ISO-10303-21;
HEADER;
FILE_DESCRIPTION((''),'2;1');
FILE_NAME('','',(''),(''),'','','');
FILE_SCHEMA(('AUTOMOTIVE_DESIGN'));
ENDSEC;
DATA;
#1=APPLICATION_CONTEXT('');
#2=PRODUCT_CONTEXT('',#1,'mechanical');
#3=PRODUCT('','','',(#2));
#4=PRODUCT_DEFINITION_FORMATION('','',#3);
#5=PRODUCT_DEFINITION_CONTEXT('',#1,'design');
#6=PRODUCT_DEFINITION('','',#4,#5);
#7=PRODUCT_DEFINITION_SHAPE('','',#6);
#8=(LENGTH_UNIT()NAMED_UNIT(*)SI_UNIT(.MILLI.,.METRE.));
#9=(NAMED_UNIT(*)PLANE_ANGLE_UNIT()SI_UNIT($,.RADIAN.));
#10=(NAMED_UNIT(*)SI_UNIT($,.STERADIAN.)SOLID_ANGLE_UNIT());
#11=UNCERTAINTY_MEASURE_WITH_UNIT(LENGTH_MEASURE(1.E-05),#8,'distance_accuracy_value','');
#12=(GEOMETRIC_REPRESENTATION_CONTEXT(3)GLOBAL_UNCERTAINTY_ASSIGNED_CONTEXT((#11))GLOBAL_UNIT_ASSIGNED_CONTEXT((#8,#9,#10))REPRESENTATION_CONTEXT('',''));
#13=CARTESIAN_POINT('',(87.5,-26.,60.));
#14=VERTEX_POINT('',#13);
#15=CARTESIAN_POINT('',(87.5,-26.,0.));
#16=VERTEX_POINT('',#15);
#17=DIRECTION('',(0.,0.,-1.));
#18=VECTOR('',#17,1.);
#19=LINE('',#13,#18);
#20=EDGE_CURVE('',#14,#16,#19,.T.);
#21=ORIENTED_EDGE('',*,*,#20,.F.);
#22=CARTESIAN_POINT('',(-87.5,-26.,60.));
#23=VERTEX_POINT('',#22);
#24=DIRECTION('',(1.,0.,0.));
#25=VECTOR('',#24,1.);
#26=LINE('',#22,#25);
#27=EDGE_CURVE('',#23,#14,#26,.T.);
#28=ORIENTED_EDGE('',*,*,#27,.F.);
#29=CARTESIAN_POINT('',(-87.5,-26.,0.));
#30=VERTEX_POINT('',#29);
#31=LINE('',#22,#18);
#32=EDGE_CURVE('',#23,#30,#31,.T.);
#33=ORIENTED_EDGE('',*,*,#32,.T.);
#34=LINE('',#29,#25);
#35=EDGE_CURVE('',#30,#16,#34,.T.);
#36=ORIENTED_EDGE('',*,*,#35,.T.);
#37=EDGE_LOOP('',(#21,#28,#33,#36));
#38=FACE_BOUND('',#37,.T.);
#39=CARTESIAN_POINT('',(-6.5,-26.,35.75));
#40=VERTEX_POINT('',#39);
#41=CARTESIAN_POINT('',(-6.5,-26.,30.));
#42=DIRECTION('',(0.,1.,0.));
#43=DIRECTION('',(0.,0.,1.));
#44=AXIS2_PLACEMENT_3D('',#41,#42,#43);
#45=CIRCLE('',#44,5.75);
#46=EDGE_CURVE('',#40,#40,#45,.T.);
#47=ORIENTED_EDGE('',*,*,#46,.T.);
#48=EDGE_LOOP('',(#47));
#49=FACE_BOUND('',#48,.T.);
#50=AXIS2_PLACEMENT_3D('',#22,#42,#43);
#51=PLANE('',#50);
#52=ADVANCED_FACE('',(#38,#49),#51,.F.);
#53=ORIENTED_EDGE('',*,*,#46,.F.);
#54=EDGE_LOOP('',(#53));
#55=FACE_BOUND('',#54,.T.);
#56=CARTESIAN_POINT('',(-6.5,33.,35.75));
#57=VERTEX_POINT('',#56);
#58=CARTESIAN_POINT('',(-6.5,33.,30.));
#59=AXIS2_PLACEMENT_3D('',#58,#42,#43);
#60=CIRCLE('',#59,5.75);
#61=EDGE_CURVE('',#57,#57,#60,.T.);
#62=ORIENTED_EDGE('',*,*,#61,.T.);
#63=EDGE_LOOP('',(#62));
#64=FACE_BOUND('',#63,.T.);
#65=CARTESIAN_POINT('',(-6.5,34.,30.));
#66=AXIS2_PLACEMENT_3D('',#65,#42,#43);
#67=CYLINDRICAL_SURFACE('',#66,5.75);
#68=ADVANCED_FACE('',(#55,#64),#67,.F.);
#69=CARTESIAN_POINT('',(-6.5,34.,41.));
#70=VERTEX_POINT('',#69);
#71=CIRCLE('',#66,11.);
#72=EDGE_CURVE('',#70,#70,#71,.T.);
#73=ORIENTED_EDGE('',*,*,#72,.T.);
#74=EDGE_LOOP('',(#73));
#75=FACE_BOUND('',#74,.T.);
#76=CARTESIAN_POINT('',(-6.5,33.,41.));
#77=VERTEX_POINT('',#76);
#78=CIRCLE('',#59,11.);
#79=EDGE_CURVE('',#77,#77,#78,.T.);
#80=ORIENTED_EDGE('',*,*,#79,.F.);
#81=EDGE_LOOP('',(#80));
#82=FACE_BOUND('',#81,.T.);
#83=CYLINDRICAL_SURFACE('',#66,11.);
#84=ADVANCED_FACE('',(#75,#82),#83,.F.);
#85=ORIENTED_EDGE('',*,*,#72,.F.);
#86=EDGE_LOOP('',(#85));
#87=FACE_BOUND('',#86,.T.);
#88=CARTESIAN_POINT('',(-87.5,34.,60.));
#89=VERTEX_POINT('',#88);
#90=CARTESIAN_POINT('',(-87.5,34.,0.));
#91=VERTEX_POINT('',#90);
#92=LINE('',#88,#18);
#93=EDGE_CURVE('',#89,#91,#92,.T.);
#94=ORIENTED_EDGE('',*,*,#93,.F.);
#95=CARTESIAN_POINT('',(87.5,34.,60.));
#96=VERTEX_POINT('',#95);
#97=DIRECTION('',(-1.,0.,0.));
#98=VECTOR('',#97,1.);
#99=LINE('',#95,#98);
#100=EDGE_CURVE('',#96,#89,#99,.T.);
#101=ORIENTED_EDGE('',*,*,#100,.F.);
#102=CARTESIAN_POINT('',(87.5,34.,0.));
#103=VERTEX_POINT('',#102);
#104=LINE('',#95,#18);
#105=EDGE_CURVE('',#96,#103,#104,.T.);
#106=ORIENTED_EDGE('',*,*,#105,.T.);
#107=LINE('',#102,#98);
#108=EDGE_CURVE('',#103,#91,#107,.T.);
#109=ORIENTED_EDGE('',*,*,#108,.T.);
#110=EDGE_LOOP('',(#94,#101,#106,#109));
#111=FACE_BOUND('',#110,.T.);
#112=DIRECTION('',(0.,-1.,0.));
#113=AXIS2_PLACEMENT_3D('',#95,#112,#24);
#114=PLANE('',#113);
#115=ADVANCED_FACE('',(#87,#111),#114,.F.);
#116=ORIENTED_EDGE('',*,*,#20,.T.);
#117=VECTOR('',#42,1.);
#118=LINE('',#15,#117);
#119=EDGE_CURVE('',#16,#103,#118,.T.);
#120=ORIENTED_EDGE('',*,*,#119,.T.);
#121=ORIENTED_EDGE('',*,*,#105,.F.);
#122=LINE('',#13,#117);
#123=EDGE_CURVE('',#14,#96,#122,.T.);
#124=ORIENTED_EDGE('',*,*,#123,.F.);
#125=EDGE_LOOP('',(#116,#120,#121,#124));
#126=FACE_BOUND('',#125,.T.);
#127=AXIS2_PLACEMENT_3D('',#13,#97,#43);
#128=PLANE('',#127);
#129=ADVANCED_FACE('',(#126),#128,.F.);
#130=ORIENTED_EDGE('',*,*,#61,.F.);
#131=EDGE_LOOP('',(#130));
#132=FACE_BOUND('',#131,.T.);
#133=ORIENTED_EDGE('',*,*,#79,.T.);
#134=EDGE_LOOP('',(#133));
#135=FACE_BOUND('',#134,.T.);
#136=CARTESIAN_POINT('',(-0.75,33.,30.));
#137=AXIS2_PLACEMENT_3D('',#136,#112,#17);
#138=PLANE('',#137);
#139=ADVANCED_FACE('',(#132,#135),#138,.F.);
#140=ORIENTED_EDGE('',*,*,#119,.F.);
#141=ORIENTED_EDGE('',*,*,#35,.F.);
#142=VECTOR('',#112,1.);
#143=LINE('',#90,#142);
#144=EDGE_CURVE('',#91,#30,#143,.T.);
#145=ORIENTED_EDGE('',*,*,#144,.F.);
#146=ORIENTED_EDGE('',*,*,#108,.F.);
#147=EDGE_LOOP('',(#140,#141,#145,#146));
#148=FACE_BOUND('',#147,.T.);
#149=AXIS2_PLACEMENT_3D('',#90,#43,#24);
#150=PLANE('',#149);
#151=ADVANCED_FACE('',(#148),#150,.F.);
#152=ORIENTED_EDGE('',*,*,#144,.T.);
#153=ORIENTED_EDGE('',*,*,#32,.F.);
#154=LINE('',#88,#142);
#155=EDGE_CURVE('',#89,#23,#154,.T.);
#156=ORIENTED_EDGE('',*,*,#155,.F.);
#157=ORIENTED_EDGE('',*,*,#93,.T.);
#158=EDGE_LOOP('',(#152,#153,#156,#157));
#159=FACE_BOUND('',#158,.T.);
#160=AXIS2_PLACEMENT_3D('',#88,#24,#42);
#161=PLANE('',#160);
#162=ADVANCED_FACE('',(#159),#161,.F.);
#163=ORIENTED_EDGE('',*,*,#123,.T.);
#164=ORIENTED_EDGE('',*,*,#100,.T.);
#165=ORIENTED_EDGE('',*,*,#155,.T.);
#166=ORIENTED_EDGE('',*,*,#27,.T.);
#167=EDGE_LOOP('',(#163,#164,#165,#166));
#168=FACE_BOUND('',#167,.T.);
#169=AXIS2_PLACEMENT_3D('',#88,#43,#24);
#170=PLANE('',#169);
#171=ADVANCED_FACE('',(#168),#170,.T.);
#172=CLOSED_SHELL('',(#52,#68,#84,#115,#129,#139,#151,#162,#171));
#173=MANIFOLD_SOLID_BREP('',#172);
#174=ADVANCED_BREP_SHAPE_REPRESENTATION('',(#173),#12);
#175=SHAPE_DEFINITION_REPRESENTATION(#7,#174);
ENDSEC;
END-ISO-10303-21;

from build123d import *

# Parameters (mm, degrees)
ESQUISSE1_W          = 175
ESQUISSE1_H          = 60
EXTRUSION1_DEPTH     = 60
PER_AGE1_D           = 11.5
PER_AGE1_CBORE_D     = 22
PER_AGE1_CBORE_DEPTH = 1


with BuildPart() as part:
    # Esquisse1 → Extrusion1 (new body)
    with BuildSketch(Plane.XY):
        with Locations((0, 4)):
            Rectangle(ESQUISSE1_W, ESQUISSE1_H)
    extrude(amount=EXTRUSION1_DEPTH)

    # Perçage1 (through all)
    with Locations(Plane(origin=(-6.5, 34, 30), x_dir=(1, 0, 0), z_dir=(0, 1, 0))):
        with Locations((0, 0)):
            CounterBoreHole(PER_AGE1_D / 2, PER_AGE1_CBORE_D / 2, PER_AGE1_CBORE_DEPTH)


solid = part.part
